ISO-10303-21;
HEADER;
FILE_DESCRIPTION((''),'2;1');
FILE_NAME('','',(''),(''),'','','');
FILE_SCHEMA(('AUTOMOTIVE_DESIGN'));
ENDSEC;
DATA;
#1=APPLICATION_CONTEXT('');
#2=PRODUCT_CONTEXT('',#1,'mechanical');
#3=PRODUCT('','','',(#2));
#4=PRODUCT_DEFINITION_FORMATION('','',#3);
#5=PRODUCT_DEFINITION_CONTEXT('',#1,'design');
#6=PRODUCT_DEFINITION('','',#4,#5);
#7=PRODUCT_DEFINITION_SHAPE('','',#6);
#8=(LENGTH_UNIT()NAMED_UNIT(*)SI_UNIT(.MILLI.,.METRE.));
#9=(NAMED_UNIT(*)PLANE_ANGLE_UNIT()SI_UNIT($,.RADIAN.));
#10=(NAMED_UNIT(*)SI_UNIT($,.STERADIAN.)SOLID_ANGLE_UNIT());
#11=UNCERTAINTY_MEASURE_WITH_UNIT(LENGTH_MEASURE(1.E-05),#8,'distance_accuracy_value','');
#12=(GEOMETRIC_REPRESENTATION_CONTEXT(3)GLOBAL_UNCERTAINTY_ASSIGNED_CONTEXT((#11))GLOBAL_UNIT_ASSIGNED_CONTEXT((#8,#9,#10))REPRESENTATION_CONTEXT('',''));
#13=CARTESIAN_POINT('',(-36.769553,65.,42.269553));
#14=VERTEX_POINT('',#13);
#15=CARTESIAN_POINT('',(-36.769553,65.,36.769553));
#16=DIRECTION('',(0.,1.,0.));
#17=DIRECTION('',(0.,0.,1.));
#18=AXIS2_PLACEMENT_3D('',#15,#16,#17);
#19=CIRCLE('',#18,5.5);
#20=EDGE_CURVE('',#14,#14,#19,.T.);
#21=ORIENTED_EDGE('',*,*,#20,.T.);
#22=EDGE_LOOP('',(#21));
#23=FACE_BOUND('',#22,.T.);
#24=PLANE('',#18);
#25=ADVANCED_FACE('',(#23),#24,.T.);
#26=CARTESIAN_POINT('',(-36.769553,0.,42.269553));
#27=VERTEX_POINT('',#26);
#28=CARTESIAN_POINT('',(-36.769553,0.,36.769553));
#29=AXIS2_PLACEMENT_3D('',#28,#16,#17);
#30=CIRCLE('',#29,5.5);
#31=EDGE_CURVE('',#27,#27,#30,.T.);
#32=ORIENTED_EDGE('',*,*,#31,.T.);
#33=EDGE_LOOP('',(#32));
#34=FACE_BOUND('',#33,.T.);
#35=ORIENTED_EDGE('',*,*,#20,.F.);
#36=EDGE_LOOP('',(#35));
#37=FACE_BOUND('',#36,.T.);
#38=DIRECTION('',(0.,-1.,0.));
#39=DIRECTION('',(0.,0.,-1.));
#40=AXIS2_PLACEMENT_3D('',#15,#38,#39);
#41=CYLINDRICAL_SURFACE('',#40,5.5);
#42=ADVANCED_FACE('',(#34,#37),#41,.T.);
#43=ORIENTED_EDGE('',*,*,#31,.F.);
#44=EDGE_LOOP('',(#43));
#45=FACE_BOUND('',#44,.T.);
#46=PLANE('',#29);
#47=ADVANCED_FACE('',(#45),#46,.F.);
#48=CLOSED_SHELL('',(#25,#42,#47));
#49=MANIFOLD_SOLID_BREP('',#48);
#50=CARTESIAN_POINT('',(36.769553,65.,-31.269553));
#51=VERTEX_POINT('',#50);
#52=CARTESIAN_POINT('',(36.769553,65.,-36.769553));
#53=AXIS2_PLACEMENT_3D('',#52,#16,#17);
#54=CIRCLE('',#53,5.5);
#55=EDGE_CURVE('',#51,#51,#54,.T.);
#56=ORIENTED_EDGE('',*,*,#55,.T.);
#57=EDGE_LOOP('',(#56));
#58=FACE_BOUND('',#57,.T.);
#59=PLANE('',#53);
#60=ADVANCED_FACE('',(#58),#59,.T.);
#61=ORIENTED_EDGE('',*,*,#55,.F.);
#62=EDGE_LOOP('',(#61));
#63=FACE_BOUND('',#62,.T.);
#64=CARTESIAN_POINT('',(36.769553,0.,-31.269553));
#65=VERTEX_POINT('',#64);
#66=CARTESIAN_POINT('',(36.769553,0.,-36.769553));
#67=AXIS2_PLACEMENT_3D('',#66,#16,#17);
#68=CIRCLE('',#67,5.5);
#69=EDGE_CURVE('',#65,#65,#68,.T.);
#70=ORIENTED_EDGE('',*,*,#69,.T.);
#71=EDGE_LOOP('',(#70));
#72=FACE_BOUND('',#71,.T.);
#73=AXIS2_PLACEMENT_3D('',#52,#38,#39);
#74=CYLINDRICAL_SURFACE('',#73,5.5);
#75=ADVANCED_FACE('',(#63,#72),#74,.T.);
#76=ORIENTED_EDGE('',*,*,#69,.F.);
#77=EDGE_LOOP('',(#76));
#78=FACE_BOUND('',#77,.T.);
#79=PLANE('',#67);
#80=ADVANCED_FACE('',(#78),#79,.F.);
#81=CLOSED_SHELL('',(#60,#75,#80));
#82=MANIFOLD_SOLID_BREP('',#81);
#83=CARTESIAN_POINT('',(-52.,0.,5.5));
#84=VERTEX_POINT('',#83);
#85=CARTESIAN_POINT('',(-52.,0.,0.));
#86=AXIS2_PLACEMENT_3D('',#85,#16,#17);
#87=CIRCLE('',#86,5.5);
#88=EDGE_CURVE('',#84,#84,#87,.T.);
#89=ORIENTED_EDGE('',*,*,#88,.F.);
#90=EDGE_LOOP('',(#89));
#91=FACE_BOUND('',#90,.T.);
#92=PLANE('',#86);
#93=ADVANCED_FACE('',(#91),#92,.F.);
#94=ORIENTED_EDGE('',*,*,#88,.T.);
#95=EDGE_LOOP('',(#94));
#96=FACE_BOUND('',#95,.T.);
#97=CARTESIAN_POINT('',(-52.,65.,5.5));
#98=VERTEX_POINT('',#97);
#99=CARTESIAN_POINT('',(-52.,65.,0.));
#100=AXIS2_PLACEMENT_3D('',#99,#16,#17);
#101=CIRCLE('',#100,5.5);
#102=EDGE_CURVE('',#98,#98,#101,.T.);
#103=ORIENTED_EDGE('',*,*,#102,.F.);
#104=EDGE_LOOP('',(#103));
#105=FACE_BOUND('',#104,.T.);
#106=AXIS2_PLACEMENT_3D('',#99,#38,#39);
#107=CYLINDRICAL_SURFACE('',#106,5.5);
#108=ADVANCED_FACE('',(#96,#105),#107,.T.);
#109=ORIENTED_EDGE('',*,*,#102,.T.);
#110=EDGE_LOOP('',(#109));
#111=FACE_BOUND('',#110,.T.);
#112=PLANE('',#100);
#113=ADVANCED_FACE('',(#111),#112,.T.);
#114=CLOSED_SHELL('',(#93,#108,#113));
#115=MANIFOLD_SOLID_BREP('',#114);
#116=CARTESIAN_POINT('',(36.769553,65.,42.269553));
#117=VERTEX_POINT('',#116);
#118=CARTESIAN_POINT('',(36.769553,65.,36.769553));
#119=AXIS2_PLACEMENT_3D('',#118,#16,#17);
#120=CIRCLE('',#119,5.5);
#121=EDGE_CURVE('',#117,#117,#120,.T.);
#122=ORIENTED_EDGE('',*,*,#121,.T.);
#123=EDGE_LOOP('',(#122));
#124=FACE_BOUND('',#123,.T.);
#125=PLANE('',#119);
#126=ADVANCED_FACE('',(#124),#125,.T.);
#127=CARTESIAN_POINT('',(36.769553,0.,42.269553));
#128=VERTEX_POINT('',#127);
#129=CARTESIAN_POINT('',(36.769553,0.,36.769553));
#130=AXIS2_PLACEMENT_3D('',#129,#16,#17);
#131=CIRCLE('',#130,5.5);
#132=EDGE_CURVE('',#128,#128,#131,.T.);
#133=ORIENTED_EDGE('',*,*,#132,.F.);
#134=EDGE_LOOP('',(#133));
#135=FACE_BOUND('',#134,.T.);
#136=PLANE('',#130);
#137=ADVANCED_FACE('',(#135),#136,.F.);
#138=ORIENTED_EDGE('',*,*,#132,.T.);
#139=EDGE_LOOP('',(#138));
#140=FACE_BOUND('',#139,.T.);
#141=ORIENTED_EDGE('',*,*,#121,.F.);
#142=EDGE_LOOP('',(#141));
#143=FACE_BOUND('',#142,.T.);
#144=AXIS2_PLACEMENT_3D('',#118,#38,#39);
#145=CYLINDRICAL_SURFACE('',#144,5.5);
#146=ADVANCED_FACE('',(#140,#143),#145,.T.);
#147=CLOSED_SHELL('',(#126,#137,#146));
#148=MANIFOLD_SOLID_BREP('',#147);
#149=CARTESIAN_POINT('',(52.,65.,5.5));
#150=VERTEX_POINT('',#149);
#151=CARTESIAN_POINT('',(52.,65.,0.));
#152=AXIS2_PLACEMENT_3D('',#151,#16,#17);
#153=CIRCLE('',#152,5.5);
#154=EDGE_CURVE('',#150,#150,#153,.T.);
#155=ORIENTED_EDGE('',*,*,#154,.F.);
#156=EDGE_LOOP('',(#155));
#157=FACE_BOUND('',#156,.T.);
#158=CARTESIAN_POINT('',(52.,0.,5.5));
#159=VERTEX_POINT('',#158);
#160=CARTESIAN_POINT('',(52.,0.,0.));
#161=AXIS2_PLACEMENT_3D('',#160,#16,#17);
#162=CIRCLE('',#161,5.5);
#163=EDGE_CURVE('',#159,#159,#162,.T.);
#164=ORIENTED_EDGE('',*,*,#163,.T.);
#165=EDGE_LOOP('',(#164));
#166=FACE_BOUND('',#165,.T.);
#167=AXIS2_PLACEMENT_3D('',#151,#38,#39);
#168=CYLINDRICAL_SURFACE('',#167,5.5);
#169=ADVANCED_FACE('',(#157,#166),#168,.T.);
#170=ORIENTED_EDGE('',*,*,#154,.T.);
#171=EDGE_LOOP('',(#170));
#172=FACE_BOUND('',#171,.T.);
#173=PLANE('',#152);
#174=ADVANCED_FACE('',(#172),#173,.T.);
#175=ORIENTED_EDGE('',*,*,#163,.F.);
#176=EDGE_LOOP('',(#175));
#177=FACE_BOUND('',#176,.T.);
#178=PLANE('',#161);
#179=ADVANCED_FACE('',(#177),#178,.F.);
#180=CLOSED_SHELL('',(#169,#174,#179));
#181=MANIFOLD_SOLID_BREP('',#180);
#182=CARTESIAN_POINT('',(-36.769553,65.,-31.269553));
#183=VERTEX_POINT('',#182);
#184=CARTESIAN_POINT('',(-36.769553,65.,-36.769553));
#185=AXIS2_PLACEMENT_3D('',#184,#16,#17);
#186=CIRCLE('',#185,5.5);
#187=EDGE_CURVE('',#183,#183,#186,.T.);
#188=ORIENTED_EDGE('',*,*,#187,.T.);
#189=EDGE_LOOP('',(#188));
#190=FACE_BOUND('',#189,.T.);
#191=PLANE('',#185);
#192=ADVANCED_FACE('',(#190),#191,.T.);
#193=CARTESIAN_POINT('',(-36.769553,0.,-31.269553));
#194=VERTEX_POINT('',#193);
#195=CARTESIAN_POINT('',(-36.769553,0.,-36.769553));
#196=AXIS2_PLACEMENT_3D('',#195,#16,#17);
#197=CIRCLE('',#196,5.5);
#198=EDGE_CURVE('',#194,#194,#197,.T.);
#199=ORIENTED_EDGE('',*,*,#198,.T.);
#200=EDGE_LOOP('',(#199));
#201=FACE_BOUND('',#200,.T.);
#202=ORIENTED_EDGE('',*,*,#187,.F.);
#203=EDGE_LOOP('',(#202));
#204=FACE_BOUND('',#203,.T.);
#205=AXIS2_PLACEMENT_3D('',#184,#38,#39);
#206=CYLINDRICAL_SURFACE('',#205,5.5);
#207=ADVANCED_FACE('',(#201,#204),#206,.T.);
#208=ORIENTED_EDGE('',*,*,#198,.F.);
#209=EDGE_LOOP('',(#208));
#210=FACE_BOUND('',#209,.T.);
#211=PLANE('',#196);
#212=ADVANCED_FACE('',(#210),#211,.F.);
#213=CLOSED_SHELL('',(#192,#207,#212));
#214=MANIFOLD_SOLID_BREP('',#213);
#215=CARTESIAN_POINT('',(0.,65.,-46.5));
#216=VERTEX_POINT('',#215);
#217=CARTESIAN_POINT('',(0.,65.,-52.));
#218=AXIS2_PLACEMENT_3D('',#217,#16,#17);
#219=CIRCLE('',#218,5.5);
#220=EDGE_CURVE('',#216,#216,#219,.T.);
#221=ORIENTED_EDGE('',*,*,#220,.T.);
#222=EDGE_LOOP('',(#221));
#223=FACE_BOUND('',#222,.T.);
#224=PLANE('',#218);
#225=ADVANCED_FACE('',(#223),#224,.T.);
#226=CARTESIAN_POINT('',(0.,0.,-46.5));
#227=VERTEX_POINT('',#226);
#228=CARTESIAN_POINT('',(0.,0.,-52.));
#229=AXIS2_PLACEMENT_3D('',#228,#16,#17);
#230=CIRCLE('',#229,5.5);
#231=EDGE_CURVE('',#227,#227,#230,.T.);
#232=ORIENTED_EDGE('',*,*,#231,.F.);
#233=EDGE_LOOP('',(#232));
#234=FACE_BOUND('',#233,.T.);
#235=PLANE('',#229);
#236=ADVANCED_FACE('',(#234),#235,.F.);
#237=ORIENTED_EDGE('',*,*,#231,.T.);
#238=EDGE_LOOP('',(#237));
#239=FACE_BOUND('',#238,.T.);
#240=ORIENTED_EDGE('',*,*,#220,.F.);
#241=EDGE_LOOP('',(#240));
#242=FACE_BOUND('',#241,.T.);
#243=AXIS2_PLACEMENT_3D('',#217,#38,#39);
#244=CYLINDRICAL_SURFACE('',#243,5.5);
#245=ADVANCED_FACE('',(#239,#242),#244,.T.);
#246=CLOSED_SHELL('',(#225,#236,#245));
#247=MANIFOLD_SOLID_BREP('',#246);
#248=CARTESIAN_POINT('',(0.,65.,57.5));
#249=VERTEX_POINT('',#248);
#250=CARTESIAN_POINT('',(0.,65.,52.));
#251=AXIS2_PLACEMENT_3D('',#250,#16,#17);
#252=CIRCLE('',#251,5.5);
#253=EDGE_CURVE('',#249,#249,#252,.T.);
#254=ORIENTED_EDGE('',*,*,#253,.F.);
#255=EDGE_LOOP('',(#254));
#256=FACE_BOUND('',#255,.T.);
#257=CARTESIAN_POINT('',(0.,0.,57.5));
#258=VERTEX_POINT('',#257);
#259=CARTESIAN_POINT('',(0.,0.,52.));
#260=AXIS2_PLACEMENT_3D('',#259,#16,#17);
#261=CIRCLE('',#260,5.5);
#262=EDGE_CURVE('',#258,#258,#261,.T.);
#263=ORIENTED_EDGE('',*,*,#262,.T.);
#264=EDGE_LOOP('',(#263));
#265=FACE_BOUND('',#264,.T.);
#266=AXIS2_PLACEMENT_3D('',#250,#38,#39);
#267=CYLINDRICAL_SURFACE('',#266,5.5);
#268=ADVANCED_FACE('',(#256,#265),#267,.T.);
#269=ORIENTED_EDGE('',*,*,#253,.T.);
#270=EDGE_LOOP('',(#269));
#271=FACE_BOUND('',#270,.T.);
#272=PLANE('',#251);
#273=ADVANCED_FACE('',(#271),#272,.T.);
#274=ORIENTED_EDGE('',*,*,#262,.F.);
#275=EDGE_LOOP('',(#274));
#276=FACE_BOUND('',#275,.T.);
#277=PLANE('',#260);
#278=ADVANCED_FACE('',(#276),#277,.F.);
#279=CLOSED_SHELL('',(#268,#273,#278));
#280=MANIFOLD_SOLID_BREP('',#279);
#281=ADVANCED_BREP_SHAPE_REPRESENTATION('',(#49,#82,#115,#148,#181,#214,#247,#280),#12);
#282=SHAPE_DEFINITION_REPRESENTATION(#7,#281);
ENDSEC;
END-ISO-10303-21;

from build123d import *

# Parameters (mm, degrees)
SKETCH1_R             = 5.5
BOSS_EXTRUDE1_DEPTH   = 65
BOSS_EXTRUDE1_2_DEPTH = 65
BOSS_EXTRUDE1_3_DEPTH = 65
BOSS_EXTRUDE1_4_DEPTH = 65
BOSS_EXTRUDE1_5_DEPTH = 65
BOSS_EXTRUDE1_6_DEPTH = 65
BOSS_EXTRUDE1_7_DEPTH = 65
BOSS_EXTRUDE1_8_DEPTH = 65


with BuildPart() as part:
    # Sketch1 → Boss-Extrude1 (new body)
    with BuildSketch(Plane(origin=(0, 0, 0), x_dir=(1, 0, 0), z_dir=(0, 1, 0))):
        with Locations((-52, 0)):
            Circle(SKETCH1_R)
    extrude(amount=BOSS_EXTRUDE1_DEPTH)


with BuildPart() as body_2:
    # Sketch1 → Boss-Extrude1 2 (new body)
    with BuildSketch(Plane(origin=(0, 0, 0), x_dir=(1, 0, 0), z_dir=(0, 1, 0))):
        with Locations((-36.769552622, 36.769552622)):
            Circle(SKETCH1_R)
    extrude(amount=BOSS_EXTRUDE1_2_DEPTH)


with BuildPart() as body_3:
    # Sketch1 → Boss-Extrude1 3 (new body)
    with BuildSketch(Plane(origin=(0, 0, 0), x_dir=(1, 0, 0), z_dir=(0, 1, 0))):
        with Locations((0, 52)):
            Circle(SKETCH1_R)
    extrude(amount=BOSS_EXTRUDE1_3_DEPTH)


with BuildPart() as body_4:
    # Sketch1 → Boss-Extrude1 4 (new body)
    with BuildSketch(Plane(origin=(0, 0, 0), x_dir=(1, 0, 0), z_dir=(0, 1, 0))):
        with Locations((36.769552622, 36.769552622)):
            Circle(SKETCH1_R)
    extrude(amount=BOSS_EXTRUDE1_4_DEPTH)


with BuildPart() as body_5:
    # Sketch1 → Boss-Extrude1 5 (new body)
    with BuildSketch(Plane(origin=(0, 0, 0), x_dir=(1, 0, 0), z_dir=(0, 1, 0))):
        with Locations((52, 0)):
            Circle(SKETCH1_R)
    extrude(amount=BOSS_EXTRUDE1_5_DEPTH)


with BuildPart() as body_6:
    # Sketch1 → Boss-Extrude1 6 (new body)
    with BuildSketch(Plane(origin=(0, 0, 0), x_dir=(1, 0, 0), z_dir=(0, 1, 0))):
        with Locations((36.769552622, -36.769552622)):
            Circle(SKETCH1_R)
    extrude(amount=BOSS_EXTRUDE1_6_DEPTH)


with BuildPart() as body_7:
    # Sketch1 → Boss-Extrude1 7 (new body)
    with BuildSketch(Plane(origin=(0, 0, 0), x_dir=(1, 0, 0), z_dir=(0, 1, 0))):
        with Locations((0, -52)):
            Circle(SKETCH1_R)
    extrude(amount=BOSS_EXTRUDE1_7_DEPTH)


with BuildPart() as body_8:
    # Sketch1 → Boss-Extrude1 8 (new body)
    with BuildSketch(Plane(origin=(0, 0, 0), x_dir=(1, 0, 0), z_dir=(0, 1, 0))):
        with Locations((-36.769552622, -36.769552622)):
            Circle(SKETCH1_R)
    extrude(amount=BOSS_EXTRUDE1_8_DEPTH)


solid = Compound([part.part, body_2.part, body_3.part, body_4.part, body_5.part, body_6.part, body_7.part, body_8.part])
